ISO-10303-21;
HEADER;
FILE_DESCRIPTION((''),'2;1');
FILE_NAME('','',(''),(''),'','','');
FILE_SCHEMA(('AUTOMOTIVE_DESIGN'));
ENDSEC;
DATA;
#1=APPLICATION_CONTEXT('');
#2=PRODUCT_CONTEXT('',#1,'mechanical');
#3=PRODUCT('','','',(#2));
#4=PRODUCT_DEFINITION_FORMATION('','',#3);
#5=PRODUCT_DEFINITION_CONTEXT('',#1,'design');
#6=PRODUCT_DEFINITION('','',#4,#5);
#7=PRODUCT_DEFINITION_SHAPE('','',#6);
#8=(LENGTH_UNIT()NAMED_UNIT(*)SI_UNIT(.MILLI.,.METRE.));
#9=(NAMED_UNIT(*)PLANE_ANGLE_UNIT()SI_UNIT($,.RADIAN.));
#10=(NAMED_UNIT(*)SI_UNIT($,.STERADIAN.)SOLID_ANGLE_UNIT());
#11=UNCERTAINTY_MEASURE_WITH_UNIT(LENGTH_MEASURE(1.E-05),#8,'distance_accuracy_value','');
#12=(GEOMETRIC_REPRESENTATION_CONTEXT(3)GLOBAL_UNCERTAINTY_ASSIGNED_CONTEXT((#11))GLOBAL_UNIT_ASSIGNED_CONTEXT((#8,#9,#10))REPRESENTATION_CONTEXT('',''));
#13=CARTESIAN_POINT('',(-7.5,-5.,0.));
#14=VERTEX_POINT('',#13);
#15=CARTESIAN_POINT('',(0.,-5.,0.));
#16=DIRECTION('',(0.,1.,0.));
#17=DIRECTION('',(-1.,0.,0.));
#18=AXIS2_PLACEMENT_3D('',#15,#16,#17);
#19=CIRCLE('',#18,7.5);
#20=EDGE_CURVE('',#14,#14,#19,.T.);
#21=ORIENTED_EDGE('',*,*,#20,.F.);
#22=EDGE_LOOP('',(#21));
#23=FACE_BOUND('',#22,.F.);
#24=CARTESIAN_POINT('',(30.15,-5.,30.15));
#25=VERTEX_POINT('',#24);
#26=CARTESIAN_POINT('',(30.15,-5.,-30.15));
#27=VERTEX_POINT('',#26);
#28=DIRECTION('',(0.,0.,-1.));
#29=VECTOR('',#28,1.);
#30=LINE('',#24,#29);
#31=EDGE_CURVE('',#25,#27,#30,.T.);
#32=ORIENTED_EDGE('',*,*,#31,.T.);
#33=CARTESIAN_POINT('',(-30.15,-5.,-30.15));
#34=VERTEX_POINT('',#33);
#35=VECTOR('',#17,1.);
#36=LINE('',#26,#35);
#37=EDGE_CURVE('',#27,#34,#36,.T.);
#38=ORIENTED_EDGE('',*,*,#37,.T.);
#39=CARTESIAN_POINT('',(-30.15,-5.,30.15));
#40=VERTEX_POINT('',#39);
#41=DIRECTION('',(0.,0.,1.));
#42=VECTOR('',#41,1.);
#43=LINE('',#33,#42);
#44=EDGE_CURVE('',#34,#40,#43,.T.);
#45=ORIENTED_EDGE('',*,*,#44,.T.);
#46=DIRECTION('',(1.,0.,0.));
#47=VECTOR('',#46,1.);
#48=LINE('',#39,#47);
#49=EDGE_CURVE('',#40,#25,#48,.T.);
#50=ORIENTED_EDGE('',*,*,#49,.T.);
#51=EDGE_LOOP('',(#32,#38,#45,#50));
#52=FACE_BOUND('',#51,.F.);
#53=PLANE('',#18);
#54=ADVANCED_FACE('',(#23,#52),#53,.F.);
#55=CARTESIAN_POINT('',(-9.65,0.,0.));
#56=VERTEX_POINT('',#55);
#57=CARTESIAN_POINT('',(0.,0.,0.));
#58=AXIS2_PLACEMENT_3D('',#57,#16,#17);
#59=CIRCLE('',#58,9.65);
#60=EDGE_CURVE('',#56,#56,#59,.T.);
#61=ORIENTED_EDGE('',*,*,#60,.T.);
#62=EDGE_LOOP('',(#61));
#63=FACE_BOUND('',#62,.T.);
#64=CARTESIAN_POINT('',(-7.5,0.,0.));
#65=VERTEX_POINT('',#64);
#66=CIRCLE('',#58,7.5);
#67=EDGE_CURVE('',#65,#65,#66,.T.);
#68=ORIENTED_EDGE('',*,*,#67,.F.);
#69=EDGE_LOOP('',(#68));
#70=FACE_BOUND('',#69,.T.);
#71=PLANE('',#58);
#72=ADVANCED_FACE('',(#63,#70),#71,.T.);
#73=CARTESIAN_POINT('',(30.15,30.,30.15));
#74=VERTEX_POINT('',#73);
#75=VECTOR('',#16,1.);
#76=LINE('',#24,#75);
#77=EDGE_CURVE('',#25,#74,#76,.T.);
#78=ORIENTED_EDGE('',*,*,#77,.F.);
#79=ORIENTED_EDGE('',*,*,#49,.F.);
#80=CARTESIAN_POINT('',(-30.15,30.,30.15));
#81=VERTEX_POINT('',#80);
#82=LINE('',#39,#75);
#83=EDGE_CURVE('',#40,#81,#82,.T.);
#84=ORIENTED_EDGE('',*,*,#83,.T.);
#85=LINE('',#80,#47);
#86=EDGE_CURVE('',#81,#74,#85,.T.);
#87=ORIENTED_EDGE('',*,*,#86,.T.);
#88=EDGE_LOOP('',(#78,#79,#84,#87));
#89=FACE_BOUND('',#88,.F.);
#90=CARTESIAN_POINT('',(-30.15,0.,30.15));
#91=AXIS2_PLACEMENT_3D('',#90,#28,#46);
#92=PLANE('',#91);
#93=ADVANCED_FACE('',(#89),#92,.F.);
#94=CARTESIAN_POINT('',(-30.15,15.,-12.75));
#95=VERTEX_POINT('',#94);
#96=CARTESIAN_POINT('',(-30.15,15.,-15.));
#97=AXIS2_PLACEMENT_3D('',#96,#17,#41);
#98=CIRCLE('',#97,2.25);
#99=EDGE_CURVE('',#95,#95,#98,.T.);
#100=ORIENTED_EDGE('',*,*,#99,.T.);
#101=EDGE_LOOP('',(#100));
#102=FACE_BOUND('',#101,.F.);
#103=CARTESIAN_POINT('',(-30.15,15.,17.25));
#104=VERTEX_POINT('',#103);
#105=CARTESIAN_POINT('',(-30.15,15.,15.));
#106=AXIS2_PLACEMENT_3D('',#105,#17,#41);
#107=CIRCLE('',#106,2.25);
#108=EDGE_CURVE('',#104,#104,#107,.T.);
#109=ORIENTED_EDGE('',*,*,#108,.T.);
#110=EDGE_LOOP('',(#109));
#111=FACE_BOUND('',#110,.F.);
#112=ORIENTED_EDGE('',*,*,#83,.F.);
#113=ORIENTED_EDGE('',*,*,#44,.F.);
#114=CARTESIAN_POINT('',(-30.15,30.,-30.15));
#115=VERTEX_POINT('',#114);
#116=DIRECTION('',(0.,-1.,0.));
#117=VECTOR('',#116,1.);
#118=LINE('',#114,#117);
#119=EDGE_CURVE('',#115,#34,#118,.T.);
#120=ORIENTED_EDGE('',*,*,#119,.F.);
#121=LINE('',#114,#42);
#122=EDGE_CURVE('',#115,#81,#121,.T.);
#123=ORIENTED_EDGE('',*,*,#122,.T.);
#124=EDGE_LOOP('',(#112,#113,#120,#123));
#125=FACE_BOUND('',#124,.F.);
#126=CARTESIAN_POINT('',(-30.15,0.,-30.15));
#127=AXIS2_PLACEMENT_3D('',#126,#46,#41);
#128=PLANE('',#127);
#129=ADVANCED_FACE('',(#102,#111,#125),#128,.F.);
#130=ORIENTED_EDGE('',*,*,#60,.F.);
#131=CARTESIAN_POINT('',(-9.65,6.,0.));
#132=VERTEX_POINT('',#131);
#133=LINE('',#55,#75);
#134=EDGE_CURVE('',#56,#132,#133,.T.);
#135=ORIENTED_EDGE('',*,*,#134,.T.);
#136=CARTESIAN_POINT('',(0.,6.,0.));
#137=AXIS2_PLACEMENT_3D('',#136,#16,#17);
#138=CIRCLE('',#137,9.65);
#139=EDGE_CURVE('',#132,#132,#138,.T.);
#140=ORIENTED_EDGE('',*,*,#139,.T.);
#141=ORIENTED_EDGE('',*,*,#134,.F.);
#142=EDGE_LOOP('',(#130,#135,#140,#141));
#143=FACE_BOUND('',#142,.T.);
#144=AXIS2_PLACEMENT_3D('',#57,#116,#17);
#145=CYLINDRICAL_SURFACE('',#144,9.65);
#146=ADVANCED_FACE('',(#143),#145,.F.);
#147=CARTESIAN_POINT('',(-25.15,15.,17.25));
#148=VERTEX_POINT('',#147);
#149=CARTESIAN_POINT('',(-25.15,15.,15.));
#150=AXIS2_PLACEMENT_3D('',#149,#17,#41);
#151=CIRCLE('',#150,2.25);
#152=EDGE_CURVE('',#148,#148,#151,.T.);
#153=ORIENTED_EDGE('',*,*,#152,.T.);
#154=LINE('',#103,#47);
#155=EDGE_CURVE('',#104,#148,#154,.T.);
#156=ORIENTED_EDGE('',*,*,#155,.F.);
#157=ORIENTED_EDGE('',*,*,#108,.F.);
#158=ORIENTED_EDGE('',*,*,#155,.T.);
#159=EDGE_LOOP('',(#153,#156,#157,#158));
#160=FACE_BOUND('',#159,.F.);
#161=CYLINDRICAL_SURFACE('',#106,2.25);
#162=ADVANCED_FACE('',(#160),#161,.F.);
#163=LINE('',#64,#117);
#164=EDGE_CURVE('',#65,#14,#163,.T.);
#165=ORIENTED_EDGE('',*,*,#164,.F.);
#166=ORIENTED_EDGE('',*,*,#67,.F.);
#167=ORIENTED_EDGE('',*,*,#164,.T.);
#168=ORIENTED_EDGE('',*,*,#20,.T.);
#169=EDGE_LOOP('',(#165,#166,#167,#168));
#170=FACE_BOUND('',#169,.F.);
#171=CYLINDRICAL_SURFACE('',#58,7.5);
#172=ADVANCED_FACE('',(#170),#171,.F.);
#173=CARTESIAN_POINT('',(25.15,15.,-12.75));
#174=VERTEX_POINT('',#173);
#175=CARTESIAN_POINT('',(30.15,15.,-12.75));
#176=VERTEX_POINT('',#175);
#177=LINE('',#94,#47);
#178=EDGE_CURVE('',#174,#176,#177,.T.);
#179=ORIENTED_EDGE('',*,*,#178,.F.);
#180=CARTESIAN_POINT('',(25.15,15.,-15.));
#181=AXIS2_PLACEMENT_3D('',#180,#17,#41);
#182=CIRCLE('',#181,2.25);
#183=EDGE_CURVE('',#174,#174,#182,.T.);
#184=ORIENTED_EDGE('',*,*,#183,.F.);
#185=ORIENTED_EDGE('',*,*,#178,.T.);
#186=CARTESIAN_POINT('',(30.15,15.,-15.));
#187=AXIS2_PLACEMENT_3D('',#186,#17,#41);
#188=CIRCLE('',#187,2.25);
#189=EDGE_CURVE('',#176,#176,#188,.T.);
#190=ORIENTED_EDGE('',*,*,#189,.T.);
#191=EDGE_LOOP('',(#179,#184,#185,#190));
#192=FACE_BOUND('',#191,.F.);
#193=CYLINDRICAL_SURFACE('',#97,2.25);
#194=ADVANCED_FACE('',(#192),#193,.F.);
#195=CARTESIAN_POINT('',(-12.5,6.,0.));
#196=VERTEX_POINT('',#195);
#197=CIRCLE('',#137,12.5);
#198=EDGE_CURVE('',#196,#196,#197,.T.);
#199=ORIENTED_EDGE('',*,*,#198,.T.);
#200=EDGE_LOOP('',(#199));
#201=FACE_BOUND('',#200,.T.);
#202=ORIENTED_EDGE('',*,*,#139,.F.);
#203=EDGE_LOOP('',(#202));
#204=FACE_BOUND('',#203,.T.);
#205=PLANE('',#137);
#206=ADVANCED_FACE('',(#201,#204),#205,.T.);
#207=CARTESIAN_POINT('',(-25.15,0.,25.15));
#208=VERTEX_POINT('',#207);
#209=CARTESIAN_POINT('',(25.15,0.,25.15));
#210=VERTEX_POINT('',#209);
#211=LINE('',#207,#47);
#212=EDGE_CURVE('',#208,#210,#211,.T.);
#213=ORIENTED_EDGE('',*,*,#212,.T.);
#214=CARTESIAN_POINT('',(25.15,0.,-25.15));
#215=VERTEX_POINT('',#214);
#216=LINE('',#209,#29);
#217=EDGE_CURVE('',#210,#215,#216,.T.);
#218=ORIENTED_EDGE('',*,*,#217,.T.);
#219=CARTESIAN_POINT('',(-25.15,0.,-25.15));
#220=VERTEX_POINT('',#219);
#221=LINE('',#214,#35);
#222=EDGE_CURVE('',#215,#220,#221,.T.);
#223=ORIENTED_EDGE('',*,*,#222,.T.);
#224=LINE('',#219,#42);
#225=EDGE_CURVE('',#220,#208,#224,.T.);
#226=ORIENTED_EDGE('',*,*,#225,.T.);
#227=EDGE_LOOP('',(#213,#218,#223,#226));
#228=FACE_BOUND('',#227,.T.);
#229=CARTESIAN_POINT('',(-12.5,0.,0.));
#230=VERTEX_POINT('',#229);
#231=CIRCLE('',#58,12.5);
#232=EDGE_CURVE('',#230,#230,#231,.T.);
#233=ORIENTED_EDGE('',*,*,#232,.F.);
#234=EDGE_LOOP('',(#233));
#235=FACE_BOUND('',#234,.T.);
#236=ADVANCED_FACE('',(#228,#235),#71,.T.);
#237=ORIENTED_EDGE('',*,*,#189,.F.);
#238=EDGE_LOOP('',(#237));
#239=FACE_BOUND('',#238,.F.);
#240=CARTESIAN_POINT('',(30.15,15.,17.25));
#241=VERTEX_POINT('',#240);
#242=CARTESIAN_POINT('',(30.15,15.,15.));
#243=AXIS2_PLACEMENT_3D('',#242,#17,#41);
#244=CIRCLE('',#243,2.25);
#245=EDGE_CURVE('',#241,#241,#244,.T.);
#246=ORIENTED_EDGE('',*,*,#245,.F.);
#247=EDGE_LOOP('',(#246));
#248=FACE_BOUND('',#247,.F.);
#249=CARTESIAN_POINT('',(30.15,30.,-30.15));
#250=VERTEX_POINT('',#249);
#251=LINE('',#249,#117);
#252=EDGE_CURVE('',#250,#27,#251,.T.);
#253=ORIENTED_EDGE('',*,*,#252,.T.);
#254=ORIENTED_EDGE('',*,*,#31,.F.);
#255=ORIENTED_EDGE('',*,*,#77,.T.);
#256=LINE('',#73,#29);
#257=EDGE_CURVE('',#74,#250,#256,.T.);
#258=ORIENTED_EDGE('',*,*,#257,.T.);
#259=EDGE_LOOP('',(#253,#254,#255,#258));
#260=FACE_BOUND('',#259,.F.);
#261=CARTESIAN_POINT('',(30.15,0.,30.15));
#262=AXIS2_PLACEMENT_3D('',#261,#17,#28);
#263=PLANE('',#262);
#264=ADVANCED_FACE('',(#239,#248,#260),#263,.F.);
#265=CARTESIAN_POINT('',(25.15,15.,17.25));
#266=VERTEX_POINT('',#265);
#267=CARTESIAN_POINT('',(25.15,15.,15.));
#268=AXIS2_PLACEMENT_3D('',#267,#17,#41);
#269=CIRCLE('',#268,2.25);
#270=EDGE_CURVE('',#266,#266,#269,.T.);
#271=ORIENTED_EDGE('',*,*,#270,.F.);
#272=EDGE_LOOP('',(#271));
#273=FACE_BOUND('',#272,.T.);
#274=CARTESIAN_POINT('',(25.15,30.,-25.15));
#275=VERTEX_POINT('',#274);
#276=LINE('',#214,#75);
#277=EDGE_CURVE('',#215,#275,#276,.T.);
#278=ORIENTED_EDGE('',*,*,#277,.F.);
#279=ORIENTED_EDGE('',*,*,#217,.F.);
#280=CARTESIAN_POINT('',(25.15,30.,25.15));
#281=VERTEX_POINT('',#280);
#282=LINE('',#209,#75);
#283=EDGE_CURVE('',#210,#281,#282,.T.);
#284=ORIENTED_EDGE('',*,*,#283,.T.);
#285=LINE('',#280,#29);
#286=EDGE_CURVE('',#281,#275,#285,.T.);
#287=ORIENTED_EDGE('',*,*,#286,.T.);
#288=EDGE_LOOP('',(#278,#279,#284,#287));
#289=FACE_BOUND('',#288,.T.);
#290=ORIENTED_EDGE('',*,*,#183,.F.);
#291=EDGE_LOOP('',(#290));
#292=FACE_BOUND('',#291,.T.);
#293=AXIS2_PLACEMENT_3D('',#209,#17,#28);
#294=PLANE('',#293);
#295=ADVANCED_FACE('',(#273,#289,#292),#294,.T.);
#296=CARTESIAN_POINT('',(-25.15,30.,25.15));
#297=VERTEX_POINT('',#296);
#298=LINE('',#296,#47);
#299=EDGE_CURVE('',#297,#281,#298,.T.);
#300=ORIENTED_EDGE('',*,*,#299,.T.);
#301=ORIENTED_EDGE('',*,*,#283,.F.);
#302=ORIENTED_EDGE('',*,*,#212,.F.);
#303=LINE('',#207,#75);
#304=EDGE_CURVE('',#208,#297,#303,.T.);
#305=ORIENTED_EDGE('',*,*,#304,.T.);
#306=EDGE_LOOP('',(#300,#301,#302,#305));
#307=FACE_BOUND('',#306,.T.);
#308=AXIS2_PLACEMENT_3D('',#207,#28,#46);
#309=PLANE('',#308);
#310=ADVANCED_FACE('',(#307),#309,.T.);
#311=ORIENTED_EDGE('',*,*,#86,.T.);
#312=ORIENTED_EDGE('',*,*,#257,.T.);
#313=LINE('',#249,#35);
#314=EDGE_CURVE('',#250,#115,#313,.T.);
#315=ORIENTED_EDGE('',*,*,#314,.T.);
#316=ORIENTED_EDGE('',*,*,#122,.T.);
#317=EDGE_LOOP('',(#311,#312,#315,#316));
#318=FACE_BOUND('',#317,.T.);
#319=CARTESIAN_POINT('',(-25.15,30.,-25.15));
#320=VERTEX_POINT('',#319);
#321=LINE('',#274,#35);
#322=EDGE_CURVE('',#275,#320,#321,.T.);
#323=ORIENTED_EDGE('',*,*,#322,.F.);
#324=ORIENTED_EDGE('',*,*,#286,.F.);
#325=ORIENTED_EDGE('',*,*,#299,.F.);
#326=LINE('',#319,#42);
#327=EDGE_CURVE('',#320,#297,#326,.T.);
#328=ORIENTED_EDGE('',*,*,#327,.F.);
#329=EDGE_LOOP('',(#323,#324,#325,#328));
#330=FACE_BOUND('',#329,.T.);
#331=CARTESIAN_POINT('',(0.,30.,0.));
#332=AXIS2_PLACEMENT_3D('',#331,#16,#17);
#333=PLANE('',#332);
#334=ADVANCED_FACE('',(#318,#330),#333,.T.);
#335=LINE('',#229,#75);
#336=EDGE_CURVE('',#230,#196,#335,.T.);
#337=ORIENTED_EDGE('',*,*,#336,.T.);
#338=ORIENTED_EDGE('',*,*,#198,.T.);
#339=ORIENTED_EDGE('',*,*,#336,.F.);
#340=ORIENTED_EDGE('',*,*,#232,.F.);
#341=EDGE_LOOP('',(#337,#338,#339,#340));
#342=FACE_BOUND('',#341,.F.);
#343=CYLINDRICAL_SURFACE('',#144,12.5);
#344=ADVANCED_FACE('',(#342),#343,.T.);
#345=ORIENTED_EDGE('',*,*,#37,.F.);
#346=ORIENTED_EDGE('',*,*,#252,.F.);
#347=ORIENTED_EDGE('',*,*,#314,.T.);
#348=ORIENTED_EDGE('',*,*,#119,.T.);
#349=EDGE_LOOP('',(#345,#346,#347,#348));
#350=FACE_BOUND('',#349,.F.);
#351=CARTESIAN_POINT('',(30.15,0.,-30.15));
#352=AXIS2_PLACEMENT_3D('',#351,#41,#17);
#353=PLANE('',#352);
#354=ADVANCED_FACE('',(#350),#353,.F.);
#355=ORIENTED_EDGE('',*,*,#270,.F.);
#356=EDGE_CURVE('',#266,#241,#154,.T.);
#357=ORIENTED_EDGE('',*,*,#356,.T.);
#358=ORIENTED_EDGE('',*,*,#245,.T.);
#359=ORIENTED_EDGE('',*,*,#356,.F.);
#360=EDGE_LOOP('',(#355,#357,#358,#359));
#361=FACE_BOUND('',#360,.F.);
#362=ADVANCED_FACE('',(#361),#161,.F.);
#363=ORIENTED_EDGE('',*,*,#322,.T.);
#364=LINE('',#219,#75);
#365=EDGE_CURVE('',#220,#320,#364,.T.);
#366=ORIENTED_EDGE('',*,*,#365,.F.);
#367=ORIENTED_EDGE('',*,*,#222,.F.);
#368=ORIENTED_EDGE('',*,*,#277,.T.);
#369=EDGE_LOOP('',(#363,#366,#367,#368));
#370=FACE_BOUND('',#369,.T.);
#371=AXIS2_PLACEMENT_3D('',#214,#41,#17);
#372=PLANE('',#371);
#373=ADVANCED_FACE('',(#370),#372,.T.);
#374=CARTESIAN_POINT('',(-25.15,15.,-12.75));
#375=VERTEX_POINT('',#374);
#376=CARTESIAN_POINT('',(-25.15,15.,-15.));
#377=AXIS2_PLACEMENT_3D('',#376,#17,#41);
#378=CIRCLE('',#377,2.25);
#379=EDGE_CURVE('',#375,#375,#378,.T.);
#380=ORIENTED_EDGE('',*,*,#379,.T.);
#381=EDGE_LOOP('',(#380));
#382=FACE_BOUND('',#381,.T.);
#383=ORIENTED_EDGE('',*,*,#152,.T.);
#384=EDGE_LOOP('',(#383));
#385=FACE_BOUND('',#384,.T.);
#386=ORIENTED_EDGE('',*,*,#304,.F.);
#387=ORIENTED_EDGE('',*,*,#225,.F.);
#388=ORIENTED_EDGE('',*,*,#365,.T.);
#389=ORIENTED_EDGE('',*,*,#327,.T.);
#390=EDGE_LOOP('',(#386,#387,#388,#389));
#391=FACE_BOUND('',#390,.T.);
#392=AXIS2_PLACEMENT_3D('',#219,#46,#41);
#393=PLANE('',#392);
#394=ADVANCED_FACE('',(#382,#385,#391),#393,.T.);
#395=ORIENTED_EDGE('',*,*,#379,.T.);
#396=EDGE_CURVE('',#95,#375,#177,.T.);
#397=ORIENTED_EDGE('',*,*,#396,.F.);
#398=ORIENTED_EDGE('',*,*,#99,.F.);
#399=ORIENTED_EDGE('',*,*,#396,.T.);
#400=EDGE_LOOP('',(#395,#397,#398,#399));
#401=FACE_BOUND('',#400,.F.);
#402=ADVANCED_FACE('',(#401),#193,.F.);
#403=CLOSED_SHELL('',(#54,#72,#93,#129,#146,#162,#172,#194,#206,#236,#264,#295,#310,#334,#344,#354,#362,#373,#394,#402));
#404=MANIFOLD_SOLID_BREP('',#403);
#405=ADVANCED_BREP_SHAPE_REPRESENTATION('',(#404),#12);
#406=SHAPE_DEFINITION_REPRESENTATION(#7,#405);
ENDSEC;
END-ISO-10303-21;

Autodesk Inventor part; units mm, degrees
ref_plane "YZ Plane" through (0, 0, 0) normal (1, 0, 0) x (0, 1, 0)
ref_plane "XZ Plane" through (0, 0, 0) normal (0, 1, 0) x (-1, 0, 0)
ref_plane "XY Plane" through (0, 0, 0) normal (0, 0, 1) x (1, 0, 0)
sketch "Sketch1" plane through (0, 0, 0) normal (0, 1, 0) x (-1, 0, 0)
  line L0 (25.15, 25.15) -> (-25.15, 25.15)
  line L1 (-25.15, 25.15) -> (-25.15, -25.15)
  line L2 (-25.15, -25.15) -> (25.15, -25.15)
  line L3 (25.15, -25.15) -> (25.15, 25.15)
  line L4 (25.15, 25.15) -> (-25.15, -25.15) construction
  line L5 (-25.15, 25.15) -> (25.15, -25.15) construction
  line L6 (30.15, 30.15) -> (-30.15, 30.15)
  line L7 (-30.15, 30.15) -> (-30.15, -30.15)
  line L8 (-30.15, -30.15) -> (30.15, -30.15)
  line L9 (30.15, -30.15) -> (30.15, 30.15)
  line L10 (30.15, 30.15) -> (-30.15, -30.15) construction
  line L11 (-30.15, 30.15) -> (30.15, -30.15) construction
  circle A0 centre (0, 0) radius 7.5
  circle A1 centre (0, 0) radius 9.65
  circle A2 centre (0, 0) radius 12.5
  line L12 (0, 0) -> (25.15, 0) construction
  line L13 (0, 0) -> (0, -25.15) construction
  dimension "d1" = 50.3
  dimension "d3" = 60.3
  dimension "d8" = 15
  dimension "d9" = 19.3
  dimension "d10" = 25
extrude "Extrusion1" add sketch "Sketch1" along normal blind 30 contours L9 L8 L7 L6
extrude "Extrusion2" add sketch "Sketch1" against normal blind 5 contours L3 L2 L1 L0 | L9 L8 L7 L6 | A1 | A2
extrude "Extrusion3" add sketch "Sketch1" along normal blind 6 contours A2
sketch "Sketch2" plane through (-30.15, 30, -30.15) normal (-1, 0, 0) x (0, 0, 1)
  line L0 (60.3, 0) -> (60.3, -35) construction
  line L1 (0, -35) -> (0, 0) construction
  circle A0 centre (45.15, -15) radius 2.25
  line L2 (30.15, -15) -> (45.15, -15) construction
  line L3 (30.15, -15) -> (15.15, -15) construction
  circle A1 centre (15.15, -15) radius 2.25
  line L4 (60.3, 0) -> (0, 0)
  line L5 (0, 0) -> (0, -30)
  line L6 (0, -30) -> (60.3, -30)
  line L7 (60.3, -30) -> (60.3, 0)
  line L8 (60.3, 0) -> (0, -30) construction
  line L9 (30.15, -15) -> (25.1861, -9.3551) construction
  point P0 (30.15, -30)
  dimension "d13" = 4.5
  dimension "d16" = 15
  dimension "d17" = 15
  dimension "d18" = 4.5
  dimension "d19" = 30
extrude "Extrusion4" cut sketch "Sketch2" against normal blind 65 contours A0 | A1
properties material "PBT Plastic"
